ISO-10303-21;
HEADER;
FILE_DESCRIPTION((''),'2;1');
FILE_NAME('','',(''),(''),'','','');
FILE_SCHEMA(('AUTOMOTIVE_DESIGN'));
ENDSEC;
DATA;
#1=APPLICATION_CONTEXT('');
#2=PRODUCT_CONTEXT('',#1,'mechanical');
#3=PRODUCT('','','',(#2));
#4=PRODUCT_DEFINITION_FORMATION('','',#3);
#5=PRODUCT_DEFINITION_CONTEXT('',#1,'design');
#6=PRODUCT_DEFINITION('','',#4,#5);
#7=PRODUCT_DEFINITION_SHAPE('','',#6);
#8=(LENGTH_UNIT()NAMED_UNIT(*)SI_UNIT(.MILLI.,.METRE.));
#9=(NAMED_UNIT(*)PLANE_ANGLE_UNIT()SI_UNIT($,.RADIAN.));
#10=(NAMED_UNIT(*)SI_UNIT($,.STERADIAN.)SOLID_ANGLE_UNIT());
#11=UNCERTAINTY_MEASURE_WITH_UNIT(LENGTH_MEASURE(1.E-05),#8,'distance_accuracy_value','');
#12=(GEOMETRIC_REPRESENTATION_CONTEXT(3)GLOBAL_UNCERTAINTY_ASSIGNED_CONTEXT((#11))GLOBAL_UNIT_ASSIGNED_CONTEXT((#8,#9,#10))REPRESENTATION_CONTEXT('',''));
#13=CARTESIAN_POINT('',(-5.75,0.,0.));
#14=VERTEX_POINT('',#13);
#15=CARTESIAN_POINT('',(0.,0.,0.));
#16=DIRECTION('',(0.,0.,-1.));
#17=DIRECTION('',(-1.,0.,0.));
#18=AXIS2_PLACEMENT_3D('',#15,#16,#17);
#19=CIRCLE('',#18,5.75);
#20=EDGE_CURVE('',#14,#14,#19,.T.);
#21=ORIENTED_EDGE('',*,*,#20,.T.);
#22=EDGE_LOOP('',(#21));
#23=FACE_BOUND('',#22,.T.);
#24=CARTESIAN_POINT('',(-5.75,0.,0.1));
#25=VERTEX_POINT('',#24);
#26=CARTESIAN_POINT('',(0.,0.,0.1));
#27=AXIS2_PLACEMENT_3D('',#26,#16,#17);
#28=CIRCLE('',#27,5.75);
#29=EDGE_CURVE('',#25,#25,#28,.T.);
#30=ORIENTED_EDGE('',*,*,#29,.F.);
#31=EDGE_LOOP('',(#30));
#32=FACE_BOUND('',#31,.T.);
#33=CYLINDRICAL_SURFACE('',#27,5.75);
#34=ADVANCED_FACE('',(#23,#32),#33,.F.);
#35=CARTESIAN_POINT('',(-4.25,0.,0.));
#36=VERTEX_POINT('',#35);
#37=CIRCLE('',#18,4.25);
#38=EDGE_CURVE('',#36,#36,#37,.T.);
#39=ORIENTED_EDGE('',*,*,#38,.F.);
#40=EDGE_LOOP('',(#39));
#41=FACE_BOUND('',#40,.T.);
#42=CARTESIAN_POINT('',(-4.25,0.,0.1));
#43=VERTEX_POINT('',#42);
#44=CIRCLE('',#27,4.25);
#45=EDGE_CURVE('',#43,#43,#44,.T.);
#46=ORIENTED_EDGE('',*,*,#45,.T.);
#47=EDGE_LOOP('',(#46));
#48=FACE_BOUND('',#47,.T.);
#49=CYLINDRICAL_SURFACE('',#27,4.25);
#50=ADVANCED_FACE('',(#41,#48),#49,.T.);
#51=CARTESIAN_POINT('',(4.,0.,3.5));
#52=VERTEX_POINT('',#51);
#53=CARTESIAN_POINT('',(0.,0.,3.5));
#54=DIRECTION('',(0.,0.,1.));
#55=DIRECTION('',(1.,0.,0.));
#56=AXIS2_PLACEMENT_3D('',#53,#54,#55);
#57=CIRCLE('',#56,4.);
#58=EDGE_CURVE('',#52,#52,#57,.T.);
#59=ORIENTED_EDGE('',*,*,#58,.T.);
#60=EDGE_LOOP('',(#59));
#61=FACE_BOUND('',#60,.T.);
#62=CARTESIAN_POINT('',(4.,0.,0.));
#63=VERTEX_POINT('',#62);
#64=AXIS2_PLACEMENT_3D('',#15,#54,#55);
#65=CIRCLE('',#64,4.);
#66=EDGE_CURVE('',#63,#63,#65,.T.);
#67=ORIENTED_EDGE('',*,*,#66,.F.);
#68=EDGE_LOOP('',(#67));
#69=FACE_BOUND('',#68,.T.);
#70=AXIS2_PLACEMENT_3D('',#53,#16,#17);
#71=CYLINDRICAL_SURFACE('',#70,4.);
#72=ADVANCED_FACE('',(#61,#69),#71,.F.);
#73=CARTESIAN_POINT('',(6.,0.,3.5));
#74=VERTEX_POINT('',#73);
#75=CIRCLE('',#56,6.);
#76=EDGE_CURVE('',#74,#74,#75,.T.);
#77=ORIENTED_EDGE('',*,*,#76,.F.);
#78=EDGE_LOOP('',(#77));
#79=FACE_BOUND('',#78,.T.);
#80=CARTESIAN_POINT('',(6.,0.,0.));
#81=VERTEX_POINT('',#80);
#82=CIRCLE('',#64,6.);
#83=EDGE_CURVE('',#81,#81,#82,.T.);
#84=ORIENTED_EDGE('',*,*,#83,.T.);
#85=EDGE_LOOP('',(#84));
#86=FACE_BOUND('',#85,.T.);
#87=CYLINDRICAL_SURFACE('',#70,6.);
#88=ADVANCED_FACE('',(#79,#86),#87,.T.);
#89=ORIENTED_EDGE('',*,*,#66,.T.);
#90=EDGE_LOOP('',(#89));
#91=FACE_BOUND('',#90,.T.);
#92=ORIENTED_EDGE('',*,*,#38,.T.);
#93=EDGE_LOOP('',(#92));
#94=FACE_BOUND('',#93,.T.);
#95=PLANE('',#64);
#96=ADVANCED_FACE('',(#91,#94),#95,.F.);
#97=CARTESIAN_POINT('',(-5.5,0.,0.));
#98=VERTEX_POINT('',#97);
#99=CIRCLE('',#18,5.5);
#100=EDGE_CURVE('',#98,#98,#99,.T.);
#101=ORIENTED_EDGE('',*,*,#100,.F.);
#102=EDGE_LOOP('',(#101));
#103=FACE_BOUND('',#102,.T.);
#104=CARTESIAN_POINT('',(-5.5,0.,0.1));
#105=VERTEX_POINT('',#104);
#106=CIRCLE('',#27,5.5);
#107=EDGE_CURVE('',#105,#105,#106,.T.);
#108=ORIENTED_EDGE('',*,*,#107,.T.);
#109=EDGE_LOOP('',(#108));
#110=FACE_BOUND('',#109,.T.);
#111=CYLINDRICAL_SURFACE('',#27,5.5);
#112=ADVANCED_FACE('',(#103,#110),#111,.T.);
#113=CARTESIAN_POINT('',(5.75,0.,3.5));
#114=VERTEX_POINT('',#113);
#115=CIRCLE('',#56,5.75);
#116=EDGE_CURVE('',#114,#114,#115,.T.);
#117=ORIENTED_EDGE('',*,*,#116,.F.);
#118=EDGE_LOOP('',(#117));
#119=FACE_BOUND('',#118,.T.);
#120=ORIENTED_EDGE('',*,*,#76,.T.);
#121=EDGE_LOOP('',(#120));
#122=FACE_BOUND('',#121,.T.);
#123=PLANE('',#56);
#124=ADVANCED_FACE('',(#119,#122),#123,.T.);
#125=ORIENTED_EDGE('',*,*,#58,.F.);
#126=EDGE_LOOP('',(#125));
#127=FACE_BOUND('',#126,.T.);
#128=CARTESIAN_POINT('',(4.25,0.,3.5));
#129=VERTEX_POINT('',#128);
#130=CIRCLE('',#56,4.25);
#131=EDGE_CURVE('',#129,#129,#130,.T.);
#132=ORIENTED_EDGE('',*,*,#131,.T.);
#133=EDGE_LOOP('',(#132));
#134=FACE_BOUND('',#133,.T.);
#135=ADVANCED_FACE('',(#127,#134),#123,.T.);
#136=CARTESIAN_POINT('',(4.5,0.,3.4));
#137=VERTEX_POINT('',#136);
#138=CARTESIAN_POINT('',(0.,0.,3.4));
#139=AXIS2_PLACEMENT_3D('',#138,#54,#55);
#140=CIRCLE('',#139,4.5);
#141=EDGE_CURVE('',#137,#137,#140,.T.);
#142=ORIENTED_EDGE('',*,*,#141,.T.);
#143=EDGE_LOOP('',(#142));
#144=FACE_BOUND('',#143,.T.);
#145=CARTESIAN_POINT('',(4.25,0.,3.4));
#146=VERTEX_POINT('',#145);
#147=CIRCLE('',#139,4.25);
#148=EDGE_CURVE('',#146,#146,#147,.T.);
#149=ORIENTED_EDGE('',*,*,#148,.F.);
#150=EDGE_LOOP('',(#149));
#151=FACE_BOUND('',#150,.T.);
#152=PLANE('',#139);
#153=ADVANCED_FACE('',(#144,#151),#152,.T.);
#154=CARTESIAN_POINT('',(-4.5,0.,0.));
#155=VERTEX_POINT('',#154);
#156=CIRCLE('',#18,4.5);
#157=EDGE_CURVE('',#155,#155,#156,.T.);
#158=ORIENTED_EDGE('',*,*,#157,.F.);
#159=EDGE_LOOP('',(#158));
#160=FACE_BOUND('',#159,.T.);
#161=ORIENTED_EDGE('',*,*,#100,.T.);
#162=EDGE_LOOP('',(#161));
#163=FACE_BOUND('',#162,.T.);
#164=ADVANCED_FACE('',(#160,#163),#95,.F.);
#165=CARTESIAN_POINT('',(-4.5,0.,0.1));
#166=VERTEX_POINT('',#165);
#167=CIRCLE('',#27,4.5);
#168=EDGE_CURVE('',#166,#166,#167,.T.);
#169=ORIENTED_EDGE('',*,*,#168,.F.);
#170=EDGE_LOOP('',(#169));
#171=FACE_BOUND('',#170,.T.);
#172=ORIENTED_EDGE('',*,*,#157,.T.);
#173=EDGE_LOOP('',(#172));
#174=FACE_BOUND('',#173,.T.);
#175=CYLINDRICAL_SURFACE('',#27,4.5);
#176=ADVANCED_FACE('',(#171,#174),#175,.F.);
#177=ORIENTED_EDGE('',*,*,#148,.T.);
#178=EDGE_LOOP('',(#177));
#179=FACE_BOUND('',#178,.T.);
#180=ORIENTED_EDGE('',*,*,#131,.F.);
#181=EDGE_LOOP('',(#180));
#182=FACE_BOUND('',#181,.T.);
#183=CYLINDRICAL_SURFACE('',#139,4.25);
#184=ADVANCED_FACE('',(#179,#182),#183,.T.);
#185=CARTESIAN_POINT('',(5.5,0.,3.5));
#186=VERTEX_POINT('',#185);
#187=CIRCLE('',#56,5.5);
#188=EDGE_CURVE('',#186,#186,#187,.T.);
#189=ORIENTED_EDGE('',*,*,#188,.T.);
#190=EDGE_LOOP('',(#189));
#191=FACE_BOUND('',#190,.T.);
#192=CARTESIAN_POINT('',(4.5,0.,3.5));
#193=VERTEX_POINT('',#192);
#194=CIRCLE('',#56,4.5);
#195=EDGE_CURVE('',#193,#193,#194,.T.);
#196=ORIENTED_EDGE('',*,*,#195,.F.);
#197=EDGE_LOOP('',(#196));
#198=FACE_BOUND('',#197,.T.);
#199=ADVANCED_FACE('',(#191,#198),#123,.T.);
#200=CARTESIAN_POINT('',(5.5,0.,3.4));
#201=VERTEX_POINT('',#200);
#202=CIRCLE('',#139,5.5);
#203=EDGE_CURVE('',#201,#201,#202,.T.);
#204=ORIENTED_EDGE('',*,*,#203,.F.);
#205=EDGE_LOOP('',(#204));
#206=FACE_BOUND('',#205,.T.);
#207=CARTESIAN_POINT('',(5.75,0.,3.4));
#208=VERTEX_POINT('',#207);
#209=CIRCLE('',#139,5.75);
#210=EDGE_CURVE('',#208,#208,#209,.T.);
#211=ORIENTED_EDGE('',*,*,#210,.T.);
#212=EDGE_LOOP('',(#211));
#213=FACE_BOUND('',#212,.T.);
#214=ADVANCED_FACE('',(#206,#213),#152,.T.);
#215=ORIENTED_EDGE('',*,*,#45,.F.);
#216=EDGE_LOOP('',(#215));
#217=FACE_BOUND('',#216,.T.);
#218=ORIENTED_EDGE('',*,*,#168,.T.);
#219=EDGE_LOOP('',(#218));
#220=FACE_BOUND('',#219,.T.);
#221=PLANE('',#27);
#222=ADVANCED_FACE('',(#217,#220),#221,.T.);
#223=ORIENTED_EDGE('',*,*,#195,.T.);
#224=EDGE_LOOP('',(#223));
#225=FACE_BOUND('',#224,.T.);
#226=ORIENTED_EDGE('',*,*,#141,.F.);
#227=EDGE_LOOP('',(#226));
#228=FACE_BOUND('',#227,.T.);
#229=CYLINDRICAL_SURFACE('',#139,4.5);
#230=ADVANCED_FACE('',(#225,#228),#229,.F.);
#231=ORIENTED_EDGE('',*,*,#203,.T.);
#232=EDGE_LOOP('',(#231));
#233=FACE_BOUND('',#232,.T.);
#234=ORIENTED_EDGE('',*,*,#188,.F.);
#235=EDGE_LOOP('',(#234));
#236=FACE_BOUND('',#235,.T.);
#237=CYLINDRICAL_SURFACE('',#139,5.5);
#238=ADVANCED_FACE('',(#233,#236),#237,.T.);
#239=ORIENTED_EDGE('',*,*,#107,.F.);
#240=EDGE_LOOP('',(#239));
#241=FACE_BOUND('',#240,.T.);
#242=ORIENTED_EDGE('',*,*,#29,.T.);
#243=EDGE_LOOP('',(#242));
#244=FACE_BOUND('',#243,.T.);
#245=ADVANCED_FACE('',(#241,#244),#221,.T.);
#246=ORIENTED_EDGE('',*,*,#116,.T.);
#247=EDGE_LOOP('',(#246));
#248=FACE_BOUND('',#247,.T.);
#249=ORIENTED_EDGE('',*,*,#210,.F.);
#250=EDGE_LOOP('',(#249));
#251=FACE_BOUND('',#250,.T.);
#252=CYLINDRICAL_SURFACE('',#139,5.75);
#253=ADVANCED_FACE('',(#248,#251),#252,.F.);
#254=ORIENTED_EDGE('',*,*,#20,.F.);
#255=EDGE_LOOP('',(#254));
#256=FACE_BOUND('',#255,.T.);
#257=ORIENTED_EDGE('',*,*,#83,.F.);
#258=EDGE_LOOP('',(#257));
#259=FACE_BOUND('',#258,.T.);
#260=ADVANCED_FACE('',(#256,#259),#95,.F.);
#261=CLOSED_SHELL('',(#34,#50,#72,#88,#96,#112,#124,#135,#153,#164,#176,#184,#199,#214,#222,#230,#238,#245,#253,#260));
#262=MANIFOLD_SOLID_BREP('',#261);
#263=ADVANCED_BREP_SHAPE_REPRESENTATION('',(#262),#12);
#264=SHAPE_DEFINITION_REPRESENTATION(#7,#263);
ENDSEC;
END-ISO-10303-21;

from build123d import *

# Parameters (mm, degrees)
SKETCH_1_R          = 6
SKETCH_1_R_2        = 4
EXTRUDE_1_DEPTH     = 3.5
SKETCH_2_R          = 5.75
SKETCH_2_R_2        = 5.5
SKETCH_2_R_3        = 4.5
SKETCH_2_R_4        = 4.25
CUT_EXTRUDE_1_DEPTH = 0.1
CUT_EXTRUDE_START   = -0.1
SKETCH_3_R          = 5.75
SKETCH_3_R_2        = 5.5
SKETCH_3_R_3        = 4.5
SKETCH_3_R_4        = 4.25
CUT_EXTRUDE_2_DEPTH = 0.1


with BuildPart() as part:
    # 草图1 → 凸台-拉伸1 (new body)
    with BuildSketch(Plane.XY):
        Circle(SKETCH_1_R)
        Circle(SKETCH_1_R_2, mode=Mode.SUBTRACT)
    extrude(amount=EXTRUDE_1_DEPTH)

    # 草图2 → 切除-拉伸1 (cut)
    # profile 1 of 2: a face of its own
    with BuildSketch(Plane.XY.offset(3.5)):
        Circle(SKETCH_2_R)
        Circle(SKETCH_2_R_2, mode=Mode.SUBTRACT)
    # profile 2 of 2: a face of its own
    with BuildSketch(Plane.XY.offset(3.5)):
        Circle(SKETCH_2_R_3)
        Circle(SKETCH_2_R_4, mode=Mode.SUBTRACT)
    extrude(amount=-CUT_EXTRUDE_1_DEPTH, mode=Mode.SUBTRACT)

    # 草图3 → 切除-拉伸2 (cut)
    # profile 1 of 2: a face of its own
    with BuildSketch(Plane(origin=(0, 0, 0), x_dir=(-1, 0, 0), z_dir=(0, 0, -1)).offset(CUT_EXTRUDE_START)):
        with Locations(Location((0, 0, 0), (0, 0, 180))):
            Circle(SKETCH_3_R)
        with Locations(Location((0, 0, 0), (0, 0, 180))):
            Circle(SKETCH_3_R_2, mode=Mode.SUBTRACT)
    # profile 2 of 2: a face of its own
    with BuildSketch(Plane(origin=(0, 0, 0), x_dir=(-1, 0, 0), z_dir=(0, 0, -1)).offset(CUT_EXTRUDE_START)):
        with Locations(Location((0, 0, 0), (0, 0, 180))):
            Circle(SKETCH_3_R_3)
        with Locations(Location((0, 0, 0), (0, 0, 180))):
            Circle(SKETCH_3_R_4, mode=Mode.SUBTRACT)
    extrude(amount=CUT_EXTRUDE_2_DEPTH, mode=Mode.SUBTRACT)


solid = part.part
